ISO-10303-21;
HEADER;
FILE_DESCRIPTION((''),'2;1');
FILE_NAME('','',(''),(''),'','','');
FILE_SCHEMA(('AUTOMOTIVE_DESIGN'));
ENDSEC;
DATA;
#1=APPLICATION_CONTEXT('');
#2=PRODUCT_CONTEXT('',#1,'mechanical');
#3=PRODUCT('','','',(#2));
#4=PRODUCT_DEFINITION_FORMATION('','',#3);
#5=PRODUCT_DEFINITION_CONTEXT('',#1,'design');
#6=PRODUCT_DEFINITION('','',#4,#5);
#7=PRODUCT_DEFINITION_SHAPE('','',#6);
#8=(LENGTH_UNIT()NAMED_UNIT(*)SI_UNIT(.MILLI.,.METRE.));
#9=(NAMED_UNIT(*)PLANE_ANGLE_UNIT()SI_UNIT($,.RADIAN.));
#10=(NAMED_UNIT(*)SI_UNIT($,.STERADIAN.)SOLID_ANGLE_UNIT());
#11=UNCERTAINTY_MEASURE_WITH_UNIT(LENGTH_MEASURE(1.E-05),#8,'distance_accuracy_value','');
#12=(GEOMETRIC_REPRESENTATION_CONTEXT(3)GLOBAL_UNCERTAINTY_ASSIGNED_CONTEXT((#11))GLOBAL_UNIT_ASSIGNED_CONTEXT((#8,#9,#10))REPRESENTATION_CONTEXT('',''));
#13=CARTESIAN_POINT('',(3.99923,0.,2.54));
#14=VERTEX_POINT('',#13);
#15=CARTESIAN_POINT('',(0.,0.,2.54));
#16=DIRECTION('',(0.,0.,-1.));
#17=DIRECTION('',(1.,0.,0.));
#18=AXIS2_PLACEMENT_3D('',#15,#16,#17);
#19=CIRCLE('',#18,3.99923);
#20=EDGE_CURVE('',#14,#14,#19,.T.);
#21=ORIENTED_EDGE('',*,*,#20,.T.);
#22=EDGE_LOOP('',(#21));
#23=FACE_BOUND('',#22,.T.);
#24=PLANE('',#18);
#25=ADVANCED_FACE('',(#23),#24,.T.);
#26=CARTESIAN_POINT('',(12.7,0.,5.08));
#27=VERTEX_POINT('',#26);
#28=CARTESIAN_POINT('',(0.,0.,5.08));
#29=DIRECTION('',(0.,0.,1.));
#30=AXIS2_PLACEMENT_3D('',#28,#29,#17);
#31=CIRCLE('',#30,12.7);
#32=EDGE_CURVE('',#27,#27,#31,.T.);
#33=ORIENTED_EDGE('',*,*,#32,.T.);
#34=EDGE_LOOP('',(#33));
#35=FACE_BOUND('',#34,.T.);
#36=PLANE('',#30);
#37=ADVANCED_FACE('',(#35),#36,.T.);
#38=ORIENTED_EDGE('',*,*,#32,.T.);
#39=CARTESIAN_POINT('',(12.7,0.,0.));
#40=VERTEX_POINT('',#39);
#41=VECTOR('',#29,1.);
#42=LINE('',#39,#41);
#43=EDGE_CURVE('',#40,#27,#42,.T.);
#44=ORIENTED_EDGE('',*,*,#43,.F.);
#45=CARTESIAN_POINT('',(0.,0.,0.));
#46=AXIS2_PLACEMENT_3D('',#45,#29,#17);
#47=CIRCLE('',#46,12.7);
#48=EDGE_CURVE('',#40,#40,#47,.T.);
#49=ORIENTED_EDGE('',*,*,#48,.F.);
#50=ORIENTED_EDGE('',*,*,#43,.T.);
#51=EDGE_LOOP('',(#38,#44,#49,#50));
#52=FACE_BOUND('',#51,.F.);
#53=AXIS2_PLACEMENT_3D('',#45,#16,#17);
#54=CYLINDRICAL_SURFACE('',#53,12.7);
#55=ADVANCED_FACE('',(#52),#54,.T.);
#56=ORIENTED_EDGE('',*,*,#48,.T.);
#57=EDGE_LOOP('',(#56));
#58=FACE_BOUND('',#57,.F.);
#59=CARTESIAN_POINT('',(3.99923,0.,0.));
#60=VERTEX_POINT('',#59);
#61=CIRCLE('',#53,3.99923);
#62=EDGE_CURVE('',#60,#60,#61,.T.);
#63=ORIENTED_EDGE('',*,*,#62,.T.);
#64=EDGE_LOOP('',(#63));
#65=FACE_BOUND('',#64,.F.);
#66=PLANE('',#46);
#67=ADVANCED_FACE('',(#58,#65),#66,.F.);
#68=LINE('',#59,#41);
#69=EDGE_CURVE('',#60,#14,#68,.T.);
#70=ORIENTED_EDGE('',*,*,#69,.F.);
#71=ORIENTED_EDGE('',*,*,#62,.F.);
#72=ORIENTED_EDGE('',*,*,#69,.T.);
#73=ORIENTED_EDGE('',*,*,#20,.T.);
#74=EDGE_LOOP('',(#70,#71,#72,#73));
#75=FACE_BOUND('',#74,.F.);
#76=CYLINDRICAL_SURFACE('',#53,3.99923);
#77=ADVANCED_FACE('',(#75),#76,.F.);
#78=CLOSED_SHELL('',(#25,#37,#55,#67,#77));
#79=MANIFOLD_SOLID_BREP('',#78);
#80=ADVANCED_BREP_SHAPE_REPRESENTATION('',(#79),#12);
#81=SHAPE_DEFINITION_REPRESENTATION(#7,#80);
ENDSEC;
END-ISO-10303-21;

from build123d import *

# Parameters (mm, degrees)
F0_R     = 12.7
F0_R_2   = 3.99923
F1_DEPTH = 5.08
F2_R     = 3.99923
F3_DEPTH = 2.54


with BuildPart() as f1:
    # F0 (on Top) → F1 (new body)
    with BuildSketch(Plane.XY):
        Circle(F0_R)
        Circle(F0_R_2, mode=Mode.SUBTRACT)
        Circle(F0_R_2)
    extrude(amount=F1_DEPTH)

    # F2 (on face) → F3 (cut)
    with BuildSketch(Plane(origin=(0, 0, 0), x_dir=(1, 0, 0), z_dir=(0, 0, -1))):
        Circle(F2_R)
    extrude(amount=-F3_DEPTH, mode=Mode.SUBTRACT)


solid = f1.part
